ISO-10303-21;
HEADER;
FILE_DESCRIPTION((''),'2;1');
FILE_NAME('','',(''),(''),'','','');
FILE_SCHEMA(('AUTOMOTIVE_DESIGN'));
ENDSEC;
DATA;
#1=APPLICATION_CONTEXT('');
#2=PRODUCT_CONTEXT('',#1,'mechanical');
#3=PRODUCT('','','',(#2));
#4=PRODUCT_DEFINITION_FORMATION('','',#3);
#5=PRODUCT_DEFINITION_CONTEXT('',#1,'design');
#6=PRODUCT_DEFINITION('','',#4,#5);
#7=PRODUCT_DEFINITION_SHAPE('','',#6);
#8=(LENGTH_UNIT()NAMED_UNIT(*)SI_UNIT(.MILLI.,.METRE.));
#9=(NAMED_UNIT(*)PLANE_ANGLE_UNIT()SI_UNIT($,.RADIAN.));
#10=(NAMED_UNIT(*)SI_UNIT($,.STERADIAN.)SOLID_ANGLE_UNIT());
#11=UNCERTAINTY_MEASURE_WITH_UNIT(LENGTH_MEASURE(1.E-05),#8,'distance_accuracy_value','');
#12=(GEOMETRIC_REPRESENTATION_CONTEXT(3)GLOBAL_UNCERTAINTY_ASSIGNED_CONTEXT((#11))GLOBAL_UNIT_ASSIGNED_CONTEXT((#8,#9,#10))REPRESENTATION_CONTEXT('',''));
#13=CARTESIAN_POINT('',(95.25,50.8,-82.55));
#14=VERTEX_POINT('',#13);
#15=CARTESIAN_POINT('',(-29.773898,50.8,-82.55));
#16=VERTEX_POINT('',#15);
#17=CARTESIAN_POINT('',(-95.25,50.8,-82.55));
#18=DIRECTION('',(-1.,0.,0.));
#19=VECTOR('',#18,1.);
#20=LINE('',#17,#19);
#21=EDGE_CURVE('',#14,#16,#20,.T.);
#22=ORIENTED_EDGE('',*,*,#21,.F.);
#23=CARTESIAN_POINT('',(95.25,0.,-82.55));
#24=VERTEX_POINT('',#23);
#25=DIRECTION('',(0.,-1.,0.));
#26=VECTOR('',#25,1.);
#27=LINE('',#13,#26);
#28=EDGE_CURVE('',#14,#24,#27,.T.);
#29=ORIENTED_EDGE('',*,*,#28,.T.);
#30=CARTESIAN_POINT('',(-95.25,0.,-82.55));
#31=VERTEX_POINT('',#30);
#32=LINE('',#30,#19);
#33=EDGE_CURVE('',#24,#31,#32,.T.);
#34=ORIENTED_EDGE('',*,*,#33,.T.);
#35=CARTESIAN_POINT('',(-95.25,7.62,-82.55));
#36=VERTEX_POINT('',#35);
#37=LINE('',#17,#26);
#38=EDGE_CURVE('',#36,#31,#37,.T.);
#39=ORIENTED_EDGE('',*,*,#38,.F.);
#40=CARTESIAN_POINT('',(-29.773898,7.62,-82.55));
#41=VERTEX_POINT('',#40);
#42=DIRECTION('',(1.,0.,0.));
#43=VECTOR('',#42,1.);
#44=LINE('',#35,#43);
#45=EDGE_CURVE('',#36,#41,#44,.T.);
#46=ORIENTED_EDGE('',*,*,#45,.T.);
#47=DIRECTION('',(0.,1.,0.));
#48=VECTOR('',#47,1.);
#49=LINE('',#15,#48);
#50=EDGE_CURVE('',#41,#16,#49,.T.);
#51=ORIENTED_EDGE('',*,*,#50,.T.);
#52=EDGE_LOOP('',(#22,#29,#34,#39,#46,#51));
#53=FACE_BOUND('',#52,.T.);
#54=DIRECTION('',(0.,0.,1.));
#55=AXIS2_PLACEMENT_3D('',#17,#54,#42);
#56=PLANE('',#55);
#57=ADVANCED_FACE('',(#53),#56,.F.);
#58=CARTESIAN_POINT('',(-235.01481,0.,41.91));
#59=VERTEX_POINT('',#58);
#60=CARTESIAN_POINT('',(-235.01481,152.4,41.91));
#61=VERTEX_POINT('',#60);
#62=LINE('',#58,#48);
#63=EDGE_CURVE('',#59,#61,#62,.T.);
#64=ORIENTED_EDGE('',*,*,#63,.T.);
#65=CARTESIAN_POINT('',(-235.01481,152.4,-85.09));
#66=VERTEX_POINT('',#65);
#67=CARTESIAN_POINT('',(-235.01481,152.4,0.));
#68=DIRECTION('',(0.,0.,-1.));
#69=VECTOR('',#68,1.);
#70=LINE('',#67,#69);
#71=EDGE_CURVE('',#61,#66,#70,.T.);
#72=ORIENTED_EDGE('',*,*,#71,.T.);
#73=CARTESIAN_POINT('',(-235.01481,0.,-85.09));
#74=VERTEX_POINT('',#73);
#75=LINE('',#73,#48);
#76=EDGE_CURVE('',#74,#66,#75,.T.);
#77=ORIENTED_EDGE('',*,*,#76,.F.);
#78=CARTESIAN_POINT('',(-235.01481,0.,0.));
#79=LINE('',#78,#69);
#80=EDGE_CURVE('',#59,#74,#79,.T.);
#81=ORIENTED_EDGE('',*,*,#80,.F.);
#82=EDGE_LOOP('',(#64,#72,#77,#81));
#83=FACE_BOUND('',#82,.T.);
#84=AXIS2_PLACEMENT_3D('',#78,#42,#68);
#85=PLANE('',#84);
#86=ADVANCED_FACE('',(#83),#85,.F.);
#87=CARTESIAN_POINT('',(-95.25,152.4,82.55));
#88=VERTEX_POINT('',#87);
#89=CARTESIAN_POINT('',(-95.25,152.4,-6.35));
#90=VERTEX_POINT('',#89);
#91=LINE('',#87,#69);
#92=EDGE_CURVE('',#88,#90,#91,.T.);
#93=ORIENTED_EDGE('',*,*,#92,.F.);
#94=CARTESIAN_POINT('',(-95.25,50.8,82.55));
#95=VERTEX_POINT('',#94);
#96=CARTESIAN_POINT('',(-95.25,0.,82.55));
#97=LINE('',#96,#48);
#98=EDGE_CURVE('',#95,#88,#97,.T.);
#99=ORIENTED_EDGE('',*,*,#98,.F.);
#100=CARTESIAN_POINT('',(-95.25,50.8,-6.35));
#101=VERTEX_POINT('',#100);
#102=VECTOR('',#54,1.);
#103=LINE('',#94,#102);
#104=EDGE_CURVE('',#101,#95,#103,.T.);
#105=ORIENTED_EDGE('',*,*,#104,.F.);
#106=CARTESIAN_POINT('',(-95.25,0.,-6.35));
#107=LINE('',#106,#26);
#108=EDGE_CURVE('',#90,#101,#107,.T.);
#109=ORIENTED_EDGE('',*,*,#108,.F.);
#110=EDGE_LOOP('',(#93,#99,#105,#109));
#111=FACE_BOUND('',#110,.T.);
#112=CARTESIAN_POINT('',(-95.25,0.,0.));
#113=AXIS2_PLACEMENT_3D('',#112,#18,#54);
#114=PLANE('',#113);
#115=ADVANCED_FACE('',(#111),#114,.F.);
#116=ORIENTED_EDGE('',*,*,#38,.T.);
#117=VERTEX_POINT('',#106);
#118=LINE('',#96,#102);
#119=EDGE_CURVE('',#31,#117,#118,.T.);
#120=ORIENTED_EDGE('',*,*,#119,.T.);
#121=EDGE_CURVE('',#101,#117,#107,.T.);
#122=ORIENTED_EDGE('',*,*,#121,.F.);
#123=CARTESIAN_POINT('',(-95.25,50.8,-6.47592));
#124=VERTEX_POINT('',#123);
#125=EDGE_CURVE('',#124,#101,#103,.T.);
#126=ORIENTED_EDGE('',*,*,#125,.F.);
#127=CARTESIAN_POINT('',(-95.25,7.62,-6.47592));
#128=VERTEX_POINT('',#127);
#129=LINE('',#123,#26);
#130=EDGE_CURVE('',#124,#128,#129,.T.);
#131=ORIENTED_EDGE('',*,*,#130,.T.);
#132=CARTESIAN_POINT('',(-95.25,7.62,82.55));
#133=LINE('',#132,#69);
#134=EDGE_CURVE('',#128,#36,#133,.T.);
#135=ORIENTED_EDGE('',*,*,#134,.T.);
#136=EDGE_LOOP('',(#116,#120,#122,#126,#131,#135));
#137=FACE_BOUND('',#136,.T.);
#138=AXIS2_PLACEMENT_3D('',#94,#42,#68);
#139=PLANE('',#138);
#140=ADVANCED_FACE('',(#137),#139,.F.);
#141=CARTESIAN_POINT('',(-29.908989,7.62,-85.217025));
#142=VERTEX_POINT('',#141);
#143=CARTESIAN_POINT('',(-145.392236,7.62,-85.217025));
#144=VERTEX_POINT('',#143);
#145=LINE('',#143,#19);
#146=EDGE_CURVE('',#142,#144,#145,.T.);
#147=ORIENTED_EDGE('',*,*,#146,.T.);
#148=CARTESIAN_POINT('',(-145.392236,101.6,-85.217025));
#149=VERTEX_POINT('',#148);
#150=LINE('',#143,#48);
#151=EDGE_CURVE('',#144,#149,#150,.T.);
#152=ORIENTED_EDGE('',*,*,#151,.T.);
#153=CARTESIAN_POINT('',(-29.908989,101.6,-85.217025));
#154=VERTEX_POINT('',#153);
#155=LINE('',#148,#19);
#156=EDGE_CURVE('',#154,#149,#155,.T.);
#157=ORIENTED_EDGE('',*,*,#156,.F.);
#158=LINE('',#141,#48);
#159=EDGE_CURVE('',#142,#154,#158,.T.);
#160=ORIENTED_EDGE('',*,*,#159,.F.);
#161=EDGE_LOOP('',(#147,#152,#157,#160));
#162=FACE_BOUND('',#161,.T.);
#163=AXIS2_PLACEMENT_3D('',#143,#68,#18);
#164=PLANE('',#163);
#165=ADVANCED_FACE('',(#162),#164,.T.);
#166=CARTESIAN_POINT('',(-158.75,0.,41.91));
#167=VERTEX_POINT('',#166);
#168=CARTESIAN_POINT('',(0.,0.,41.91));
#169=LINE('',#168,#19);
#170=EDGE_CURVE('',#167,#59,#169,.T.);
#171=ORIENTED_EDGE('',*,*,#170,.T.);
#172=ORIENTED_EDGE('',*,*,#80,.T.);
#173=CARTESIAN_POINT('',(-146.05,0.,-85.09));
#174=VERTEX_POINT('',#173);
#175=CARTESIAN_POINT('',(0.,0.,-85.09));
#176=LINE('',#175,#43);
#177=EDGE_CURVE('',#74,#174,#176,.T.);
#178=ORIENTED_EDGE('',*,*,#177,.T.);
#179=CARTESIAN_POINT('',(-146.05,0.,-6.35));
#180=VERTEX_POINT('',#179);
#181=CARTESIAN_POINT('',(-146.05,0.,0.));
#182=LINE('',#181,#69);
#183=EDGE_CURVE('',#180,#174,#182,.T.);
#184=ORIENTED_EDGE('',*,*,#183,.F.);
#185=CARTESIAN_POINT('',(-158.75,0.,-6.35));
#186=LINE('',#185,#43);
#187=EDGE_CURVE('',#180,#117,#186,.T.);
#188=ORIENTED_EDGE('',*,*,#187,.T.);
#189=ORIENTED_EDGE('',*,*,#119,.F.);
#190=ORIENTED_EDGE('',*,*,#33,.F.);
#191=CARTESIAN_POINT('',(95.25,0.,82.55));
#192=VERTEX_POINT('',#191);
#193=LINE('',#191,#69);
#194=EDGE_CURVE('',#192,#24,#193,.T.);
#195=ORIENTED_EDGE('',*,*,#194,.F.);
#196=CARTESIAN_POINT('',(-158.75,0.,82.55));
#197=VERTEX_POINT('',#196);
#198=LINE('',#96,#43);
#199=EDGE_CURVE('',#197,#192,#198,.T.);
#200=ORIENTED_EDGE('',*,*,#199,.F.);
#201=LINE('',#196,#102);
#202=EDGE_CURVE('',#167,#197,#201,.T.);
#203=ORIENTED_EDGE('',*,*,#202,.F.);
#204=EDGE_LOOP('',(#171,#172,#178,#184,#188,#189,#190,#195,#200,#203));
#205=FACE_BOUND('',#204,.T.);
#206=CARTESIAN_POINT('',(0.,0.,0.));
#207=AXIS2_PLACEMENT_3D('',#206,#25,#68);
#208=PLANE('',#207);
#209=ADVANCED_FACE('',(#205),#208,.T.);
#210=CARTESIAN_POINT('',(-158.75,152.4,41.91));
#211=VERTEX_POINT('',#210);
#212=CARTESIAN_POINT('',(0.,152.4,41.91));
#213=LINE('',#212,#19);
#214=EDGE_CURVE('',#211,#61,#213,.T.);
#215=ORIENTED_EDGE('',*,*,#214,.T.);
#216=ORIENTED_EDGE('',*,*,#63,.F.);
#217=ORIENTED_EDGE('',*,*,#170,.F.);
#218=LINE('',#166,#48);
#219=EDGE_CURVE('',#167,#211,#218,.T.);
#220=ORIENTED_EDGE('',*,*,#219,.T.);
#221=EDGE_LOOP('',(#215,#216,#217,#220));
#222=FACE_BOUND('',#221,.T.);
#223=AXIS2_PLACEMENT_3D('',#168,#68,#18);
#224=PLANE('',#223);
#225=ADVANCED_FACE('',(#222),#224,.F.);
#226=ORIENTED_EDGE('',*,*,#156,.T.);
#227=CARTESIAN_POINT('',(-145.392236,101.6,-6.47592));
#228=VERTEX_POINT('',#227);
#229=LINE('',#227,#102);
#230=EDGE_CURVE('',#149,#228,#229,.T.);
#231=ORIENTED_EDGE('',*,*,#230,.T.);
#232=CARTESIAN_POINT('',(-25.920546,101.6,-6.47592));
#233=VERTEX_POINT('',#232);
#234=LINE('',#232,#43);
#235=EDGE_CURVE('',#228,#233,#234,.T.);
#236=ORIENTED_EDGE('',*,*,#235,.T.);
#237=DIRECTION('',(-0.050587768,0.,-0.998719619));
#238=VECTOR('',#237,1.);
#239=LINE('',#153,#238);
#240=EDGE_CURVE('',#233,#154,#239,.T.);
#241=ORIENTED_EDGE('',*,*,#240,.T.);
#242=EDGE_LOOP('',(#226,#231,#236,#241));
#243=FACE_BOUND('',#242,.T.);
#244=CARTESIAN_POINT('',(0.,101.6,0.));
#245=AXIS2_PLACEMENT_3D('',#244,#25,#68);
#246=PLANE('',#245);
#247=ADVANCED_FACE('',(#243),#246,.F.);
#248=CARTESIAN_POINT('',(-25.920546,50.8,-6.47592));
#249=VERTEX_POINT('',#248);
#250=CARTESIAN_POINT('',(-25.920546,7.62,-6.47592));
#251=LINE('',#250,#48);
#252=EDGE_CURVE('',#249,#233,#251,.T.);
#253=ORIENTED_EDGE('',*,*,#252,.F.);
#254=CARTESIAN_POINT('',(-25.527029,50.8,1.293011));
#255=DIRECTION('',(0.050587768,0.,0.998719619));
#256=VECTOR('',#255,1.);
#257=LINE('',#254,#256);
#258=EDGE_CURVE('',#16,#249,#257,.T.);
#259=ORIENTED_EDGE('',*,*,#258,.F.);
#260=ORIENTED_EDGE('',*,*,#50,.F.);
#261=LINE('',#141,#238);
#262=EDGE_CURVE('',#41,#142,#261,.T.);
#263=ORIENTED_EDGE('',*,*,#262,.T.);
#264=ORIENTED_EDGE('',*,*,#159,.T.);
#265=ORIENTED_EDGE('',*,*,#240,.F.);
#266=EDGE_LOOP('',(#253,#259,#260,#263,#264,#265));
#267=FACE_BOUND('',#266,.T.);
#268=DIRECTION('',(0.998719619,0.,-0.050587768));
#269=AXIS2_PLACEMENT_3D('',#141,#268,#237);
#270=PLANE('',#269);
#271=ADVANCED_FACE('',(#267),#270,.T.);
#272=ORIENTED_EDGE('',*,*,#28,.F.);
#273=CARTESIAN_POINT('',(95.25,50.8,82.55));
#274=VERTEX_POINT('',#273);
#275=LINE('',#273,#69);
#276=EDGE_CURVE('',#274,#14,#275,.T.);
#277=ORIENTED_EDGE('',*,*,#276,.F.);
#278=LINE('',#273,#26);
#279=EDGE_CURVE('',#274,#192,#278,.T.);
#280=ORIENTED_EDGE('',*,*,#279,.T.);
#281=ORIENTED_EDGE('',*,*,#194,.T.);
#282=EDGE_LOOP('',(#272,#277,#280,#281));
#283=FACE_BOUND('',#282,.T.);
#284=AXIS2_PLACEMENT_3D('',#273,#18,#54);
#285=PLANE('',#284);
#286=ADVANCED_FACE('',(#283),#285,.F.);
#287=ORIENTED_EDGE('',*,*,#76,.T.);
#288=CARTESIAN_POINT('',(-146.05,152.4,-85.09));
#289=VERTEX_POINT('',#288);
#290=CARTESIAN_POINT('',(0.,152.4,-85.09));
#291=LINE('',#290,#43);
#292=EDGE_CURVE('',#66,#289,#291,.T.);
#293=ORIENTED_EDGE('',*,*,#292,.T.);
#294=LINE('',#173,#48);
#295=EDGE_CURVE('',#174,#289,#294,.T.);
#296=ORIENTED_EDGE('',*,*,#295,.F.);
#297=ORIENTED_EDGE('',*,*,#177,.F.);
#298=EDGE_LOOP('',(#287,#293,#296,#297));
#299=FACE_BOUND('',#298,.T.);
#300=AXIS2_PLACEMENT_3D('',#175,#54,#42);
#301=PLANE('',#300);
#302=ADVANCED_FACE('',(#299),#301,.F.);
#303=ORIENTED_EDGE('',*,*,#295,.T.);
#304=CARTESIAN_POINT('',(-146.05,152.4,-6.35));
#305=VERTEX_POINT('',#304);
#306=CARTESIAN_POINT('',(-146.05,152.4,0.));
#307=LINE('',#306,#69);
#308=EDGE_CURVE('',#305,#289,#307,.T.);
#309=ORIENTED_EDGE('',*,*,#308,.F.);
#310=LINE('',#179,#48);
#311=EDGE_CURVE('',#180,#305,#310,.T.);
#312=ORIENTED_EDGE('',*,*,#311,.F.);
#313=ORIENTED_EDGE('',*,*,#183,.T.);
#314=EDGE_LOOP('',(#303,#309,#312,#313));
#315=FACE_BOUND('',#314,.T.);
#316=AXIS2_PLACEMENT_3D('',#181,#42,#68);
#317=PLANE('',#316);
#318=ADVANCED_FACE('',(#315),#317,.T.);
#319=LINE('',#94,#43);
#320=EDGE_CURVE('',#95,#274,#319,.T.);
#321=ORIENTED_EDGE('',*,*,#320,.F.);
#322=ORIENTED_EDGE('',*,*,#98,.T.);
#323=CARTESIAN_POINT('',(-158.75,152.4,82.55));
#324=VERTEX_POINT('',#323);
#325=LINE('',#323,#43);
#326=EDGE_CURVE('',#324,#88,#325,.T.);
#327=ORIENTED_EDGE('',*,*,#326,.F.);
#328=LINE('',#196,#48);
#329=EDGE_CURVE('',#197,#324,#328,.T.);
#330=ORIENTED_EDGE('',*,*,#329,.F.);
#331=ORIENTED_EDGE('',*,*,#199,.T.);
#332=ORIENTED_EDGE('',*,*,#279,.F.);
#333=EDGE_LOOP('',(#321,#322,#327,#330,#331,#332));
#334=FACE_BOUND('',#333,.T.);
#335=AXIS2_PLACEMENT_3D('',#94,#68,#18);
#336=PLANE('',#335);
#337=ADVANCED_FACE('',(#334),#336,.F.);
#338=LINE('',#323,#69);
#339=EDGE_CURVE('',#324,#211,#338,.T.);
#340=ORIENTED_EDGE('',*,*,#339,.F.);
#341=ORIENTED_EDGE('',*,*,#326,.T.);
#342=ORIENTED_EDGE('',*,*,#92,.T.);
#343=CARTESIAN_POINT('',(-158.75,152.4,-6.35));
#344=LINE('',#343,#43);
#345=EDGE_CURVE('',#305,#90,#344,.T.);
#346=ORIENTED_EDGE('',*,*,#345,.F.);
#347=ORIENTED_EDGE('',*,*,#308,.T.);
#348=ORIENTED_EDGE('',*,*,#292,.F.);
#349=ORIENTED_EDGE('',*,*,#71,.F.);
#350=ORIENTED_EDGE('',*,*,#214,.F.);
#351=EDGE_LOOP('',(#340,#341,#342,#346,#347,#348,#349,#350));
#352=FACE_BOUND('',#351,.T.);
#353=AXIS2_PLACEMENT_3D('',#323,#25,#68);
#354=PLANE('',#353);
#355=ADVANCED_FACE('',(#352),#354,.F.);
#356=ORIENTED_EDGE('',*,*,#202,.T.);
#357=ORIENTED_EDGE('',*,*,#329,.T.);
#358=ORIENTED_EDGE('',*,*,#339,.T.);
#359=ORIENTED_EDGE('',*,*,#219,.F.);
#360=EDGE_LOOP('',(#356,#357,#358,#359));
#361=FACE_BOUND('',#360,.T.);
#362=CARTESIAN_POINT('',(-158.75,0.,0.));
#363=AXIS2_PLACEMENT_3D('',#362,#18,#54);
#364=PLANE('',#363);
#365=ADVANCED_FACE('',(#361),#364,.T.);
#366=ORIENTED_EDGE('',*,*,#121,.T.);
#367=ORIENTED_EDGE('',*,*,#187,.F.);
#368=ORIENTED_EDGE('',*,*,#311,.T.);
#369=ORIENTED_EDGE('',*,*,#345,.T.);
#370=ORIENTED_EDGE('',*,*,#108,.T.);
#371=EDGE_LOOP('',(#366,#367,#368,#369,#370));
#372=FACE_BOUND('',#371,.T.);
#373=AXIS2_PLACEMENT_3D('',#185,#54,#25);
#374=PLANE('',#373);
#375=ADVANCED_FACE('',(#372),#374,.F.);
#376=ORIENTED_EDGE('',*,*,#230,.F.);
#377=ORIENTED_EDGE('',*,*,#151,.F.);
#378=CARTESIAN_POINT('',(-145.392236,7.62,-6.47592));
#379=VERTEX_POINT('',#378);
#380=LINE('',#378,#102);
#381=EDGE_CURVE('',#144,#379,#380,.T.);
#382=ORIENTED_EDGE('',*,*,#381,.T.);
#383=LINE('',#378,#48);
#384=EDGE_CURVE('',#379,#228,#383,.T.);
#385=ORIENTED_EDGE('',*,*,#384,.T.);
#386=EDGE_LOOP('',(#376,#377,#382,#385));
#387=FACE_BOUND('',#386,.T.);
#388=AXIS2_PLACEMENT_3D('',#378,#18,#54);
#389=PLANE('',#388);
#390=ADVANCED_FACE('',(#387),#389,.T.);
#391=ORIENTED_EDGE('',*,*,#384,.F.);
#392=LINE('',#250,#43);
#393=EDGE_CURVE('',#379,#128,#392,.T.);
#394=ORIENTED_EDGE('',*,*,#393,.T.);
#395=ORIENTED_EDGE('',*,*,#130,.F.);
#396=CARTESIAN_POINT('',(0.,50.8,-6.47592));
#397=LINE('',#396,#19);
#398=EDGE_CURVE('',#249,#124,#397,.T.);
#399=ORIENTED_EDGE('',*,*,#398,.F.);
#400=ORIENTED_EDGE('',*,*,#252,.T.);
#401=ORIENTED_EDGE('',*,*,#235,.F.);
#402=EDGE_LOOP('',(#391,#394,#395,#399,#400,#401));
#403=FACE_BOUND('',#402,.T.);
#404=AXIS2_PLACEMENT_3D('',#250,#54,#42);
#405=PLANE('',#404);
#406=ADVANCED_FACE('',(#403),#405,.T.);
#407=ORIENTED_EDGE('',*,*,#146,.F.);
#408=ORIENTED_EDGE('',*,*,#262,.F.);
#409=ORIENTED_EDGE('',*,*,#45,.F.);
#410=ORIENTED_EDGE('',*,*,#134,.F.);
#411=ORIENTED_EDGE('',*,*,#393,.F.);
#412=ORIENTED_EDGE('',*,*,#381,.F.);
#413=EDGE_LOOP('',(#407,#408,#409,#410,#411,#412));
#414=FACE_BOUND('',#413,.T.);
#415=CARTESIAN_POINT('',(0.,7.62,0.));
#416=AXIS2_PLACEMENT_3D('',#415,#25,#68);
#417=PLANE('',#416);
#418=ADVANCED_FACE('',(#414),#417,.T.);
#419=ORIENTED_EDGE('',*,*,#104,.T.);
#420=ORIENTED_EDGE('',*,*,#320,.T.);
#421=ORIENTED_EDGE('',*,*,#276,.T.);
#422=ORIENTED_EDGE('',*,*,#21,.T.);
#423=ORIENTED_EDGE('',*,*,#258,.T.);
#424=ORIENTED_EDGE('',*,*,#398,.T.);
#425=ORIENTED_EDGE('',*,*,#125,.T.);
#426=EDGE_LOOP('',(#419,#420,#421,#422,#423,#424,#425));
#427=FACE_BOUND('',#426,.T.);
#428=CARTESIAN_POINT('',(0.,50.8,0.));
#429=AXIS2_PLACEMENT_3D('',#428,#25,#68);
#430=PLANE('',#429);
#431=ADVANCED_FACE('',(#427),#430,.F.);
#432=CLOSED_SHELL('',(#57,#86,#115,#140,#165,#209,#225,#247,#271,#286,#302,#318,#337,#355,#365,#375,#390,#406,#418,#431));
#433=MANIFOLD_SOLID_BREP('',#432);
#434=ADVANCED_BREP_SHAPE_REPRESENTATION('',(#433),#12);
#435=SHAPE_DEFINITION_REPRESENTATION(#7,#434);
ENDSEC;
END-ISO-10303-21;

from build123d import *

# Parameters (mm, degrees)
SKETCH1_W           = 190.5
SKETCH1_H           = 165.1
BOSS_EXTRUDE1_DEPTH = 50.8
SKETCH2_W           = 88.9
SKETCH2_H           = 152.4
BOSS_EXTRUDE2_DEPTH = 63.5
BOSS_EXTRUDE3_DEPTH = 152.4
BOSS_EXTRUDE4_DEPTH = 93.98


with BuildPart() as part:
    # Sketch1 → Boss-Extrude1 (new body)
    with BuildSketch(Plane(origin=(0, 0, 0), x_dir=(1, 0, 0), z_dir=(0, 1, 0))):
        Rectangle(SKETCH1_W, SKETCH1_H)
    extrude(amount=BOSS_EXTRUDE1_DEPTH)

    # Sketch2 → Boss-Extrude2 (add)
    with BuildSketch(Plane.ZY.offset(95.25)):
        with Locations((38.1, 76.2)):
            Rectangle(SKETCH2_W, SKETCH2_H)
    extrude(amount=BOSS_EXTRUDE2_DEPTH)

    # Sketch3 → Boss-Extrude3 (add)
    with BuildSketch(Plane(origin=(0, 152.4, 0), x_dir=(1, 0, 0), z_dir=(0, 1, 0))):
        Polygon((-158.75, 6.35), (-146.05, 6.35), (-146.05, 85.09), (-235.014810015, 85.09), (-235.014810015, -41.91), (-158.75, -41.91), align=None)
    extrude(amount=-BOSS_EXTRUDE3_DEPTH)

    # Sketch9 → Boss-Extrude4 (add)
    with BuildSketch(Plane(origin=(0, 101.6, 0), x_dir=(1, 0, 0), z_dir=(0, 1, 0))):
        Polygon((-145.392235631, 6.475919558), (-145.392235631, 85.217024974), (-29.908989465, 85.217024974), (-25.920545989, 6.475919558), align=None)
    extrude(amount=-BOSS_EXTRUDE4_DEPTH)


solid = part.part
